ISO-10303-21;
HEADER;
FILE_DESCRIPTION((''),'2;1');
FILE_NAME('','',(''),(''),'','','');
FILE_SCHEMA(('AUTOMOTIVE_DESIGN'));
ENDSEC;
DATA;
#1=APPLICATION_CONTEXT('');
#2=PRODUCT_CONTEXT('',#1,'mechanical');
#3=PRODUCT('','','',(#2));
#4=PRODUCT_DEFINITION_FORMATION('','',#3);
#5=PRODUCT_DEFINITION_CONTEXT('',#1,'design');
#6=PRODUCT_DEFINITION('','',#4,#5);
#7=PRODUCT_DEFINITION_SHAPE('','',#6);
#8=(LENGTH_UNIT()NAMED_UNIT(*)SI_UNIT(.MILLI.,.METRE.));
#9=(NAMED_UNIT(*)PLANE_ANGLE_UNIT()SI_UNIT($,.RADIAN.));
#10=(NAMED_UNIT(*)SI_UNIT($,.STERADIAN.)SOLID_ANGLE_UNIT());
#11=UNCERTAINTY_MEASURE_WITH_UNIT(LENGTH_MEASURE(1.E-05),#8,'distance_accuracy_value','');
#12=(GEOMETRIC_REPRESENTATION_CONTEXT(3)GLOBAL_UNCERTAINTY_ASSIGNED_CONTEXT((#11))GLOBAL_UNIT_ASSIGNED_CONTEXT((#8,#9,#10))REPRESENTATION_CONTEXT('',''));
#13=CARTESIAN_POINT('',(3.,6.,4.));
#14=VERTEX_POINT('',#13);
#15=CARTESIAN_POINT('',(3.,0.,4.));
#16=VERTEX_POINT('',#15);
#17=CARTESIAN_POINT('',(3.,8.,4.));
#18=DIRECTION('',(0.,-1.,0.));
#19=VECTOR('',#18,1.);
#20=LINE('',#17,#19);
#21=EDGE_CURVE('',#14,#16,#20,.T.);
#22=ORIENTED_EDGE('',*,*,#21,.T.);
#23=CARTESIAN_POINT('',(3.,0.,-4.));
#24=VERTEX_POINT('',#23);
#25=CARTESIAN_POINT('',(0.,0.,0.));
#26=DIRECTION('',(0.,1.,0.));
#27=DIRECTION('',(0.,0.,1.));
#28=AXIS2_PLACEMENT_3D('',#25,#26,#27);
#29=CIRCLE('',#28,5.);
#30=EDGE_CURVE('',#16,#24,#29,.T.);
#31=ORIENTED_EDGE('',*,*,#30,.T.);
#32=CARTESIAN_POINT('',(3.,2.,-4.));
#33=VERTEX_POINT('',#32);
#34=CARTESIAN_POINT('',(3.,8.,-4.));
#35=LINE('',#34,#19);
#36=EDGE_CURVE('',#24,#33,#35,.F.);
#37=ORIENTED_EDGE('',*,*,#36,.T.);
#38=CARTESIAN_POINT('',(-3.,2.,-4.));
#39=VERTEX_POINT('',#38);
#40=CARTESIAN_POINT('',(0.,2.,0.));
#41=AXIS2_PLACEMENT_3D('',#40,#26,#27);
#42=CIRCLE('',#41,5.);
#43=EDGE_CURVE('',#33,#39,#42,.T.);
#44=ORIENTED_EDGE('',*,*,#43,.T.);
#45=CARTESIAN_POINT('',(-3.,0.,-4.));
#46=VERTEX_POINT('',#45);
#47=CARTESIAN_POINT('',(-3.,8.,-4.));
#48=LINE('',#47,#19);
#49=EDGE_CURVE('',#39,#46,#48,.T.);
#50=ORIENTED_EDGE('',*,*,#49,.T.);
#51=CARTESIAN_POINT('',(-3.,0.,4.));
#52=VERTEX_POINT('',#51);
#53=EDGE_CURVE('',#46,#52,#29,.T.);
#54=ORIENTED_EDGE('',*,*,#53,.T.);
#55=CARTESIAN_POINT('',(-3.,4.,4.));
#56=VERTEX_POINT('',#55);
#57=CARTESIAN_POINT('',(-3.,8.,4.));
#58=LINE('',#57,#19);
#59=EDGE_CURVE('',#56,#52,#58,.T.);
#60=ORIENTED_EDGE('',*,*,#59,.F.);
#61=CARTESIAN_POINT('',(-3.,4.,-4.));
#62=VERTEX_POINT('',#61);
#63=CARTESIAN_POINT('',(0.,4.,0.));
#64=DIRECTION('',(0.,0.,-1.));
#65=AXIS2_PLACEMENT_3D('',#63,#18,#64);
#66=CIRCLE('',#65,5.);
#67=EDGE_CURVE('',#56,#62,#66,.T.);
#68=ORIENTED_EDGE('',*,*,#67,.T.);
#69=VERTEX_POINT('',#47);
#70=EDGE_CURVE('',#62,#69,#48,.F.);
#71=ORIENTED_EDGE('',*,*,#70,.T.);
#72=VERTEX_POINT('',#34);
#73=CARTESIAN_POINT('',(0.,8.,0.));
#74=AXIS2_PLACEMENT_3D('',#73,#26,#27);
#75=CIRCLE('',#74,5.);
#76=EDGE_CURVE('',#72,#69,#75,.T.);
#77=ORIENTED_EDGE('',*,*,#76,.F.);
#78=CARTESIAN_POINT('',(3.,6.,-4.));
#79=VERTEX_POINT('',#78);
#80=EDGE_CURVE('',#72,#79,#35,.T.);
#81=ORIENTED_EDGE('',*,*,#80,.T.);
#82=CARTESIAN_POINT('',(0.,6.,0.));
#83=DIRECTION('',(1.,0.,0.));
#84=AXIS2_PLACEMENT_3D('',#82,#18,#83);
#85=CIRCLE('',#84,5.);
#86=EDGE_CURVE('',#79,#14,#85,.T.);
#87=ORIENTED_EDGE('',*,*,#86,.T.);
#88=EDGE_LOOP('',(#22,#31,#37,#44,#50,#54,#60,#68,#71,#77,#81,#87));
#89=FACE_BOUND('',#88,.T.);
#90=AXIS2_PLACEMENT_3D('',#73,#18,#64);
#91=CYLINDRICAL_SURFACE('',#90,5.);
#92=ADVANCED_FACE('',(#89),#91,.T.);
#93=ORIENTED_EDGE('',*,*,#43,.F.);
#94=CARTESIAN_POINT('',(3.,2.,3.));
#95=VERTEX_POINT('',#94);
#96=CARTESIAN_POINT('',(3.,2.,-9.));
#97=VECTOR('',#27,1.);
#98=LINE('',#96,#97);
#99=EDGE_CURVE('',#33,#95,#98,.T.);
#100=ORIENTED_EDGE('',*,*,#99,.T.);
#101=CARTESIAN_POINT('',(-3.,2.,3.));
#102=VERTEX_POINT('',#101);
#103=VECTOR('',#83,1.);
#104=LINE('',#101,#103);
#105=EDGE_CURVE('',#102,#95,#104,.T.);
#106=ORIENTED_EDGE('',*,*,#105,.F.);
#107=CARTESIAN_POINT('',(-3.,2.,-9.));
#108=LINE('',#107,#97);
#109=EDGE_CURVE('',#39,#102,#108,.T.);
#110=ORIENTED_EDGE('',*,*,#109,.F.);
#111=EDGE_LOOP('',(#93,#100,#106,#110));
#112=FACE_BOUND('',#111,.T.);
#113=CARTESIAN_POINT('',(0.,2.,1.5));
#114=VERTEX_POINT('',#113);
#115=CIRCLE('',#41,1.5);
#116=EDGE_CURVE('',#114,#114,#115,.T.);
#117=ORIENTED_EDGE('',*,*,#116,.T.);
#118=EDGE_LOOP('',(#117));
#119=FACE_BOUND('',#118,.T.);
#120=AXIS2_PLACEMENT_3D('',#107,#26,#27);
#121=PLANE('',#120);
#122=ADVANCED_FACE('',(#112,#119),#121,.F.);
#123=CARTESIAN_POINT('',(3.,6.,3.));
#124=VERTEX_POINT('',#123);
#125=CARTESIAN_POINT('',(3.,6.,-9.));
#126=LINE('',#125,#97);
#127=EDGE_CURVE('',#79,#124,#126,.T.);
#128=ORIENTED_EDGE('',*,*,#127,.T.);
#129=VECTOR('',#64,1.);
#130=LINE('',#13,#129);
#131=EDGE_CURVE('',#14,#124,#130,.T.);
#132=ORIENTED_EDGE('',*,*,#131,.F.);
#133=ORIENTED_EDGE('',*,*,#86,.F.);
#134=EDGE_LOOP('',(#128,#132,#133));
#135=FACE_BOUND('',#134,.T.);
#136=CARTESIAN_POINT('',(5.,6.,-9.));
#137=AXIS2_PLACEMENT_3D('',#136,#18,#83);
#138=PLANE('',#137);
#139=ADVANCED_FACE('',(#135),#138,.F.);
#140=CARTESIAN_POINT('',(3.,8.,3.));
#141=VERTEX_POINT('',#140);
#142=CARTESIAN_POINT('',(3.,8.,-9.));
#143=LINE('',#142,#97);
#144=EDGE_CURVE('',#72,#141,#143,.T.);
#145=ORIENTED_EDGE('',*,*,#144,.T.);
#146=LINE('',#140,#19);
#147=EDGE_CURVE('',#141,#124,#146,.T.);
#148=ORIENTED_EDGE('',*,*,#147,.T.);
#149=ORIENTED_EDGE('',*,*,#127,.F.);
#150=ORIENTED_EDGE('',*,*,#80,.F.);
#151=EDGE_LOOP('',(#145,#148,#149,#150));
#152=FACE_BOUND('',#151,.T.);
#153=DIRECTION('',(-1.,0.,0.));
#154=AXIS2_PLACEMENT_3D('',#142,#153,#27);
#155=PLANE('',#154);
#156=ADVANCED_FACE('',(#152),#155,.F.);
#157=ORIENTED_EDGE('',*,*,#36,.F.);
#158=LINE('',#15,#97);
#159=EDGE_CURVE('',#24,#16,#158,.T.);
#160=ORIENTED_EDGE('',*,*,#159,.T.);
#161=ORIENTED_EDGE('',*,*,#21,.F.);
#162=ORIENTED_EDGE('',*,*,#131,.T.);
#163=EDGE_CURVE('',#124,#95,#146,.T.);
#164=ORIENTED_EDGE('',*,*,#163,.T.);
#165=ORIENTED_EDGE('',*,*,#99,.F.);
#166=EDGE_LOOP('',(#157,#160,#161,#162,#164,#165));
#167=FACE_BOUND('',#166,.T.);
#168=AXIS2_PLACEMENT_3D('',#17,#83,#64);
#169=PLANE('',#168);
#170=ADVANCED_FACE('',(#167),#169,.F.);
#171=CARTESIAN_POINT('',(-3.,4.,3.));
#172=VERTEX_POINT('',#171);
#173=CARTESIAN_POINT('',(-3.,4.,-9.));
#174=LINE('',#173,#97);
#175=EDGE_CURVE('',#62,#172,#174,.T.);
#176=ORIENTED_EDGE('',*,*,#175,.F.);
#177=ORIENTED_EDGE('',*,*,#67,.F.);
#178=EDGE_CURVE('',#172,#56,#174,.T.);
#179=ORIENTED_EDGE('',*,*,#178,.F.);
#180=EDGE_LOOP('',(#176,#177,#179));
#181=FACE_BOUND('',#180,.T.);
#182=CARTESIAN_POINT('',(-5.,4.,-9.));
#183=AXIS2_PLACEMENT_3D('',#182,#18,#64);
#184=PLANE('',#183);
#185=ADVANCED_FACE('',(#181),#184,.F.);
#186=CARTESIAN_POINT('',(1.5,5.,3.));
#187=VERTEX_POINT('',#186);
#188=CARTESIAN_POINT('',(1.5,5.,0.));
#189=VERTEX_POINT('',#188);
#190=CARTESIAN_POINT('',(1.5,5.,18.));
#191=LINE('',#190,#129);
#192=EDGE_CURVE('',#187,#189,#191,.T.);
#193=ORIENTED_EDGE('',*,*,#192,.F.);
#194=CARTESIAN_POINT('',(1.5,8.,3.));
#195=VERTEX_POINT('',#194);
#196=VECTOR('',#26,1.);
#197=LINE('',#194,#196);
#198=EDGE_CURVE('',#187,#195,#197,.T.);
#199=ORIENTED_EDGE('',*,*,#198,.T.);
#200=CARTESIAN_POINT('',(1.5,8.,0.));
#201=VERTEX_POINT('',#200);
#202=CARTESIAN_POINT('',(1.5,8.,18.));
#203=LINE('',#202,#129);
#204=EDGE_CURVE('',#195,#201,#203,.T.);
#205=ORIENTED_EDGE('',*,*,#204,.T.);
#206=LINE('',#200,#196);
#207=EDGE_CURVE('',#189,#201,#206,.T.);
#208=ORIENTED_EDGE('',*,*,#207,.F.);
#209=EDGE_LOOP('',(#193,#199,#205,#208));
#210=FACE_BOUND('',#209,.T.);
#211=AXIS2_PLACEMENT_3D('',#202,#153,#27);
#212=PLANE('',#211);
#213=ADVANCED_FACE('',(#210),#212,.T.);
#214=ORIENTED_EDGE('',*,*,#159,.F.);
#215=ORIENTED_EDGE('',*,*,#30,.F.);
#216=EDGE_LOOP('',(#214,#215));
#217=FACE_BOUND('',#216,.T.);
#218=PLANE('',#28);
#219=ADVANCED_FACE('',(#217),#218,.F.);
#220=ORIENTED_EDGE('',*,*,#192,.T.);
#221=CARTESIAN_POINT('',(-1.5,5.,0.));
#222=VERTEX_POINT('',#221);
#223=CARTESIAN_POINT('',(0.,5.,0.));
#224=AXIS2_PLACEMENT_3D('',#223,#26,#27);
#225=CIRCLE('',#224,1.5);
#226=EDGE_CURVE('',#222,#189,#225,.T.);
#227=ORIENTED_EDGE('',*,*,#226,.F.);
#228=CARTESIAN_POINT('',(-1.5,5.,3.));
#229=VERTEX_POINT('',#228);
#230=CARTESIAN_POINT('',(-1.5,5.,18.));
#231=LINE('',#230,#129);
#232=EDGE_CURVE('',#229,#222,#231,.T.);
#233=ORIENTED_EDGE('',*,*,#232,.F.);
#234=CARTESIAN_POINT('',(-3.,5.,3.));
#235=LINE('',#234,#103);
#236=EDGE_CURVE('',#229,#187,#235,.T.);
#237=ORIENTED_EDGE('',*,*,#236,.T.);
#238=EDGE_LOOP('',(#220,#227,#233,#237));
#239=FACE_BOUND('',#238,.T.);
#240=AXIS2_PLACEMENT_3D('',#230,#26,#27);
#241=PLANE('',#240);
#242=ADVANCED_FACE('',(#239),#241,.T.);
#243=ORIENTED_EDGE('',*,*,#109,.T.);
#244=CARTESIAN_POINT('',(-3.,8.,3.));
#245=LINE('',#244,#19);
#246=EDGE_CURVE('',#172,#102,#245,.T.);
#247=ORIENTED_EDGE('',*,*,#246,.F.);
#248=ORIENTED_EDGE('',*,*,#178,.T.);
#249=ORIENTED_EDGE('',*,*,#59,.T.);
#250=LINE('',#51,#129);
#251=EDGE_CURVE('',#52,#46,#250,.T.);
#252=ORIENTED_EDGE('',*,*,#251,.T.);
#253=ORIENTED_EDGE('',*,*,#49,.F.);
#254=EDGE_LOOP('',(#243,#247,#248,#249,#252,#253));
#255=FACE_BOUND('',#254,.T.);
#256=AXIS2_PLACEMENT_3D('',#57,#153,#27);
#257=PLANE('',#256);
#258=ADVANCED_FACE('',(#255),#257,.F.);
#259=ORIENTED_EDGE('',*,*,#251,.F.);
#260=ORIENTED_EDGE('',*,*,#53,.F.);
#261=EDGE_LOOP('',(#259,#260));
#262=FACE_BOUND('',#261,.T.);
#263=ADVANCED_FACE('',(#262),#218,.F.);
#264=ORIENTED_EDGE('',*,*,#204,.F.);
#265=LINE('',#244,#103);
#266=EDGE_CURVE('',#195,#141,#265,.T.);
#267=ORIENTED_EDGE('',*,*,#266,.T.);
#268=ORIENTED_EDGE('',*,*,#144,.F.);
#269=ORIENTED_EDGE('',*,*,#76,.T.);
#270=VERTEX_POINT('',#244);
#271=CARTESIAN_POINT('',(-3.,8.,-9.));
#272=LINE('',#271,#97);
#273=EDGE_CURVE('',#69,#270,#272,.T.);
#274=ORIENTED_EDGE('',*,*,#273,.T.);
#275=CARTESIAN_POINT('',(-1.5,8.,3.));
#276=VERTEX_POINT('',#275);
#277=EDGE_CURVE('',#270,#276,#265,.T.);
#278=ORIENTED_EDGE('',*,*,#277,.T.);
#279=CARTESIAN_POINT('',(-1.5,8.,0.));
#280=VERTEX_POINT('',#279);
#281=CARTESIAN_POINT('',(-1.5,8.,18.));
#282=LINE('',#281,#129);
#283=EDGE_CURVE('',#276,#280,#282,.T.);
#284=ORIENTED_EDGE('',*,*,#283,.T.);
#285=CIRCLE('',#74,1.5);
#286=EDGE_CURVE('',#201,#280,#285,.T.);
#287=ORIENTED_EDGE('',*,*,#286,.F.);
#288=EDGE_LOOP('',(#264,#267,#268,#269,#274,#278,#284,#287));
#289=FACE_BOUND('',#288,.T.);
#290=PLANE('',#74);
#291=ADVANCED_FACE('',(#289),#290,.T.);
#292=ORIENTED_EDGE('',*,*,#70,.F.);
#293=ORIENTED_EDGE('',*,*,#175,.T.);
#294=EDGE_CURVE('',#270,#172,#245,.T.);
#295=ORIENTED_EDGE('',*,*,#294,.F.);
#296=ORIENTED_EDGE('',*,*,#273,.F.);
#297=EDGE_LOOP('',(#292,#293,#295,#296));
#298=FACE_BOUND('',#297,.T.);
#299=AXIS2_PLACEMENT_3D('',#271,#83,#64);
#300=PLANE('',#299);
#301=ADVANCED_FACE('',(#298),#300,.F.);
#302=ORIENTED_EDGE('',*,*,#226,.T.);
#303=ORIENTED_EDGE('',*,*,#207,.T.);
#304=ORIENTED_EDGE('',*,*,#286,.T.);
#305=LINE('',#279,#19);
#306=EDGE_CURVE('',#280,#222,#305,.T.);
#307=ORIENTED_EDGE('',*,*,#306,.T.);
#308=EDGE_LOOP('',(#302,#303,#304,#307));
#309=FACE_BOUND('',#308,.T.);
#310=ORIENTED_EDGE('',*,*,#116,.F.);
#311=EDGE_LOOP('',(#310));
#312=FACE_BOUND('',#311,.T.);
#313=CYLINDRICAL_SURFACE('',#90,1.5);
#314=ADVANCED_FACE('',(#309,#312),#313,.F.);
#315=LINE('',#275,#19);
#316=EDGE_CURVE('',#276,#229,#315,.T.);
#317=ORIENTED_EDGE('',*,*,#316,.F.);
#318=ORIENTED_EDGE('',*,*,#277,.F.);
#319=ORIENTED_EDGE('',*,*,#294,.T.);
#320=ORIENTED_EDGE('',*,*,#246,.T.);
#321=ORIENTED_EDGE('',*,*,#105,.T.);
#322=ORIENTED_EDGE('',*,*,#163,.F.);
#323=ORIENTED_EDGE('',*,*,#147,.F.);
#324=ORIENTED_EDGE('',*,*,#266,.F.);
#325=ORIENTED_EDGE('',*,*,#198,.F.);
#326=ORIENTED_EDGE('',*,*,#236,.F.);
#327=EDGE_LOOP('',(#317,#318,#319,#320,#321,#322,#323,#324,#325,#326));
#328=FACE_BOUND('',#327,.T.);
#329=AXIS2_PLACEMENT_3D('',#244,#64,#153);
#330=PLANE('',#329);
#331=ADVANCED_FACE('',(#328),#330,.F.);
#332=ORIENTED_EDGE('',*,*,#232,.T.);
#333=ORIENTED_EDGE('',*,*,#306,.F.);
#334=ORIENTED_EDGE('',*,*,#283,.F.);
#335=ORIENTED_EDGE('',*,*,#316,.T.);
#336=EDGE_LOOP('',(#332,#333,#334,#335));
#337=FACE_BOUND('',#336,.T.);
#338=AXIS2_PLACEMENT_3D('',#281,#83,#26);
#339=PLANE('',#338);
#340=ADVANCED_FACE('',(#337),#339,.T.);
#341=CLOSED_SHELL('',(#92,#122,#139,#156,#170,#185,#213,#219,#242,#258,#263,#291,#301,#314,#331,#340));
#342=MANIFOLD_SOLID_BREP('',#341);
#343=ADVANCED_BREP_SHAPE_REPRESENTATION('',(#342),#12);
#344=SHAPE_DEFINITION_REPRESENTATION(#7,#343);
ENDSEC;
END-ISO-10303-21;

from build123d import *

# Parameters (mm, degrees)
SKETCH1_R           = 1.5
BOSS_EXTRUDE1_DEPTH = 8
SKETCH2_W           = 2
SKETCH2_H           = 2
SKETCH2_H_2         = 4
SKETCH2_W_2         = 6
CUT_EXTRUDE1_DEPTH  = 9
SKETCH3_W           = 3
SKETCH3_H           = 3
CUT_EXTRUDE2_DEPTH  = 18


with BuildPart() as part:
    # Sketch1 → Boss-Extrude1 (new body)
    with BuildSketch(Plane(origin=(0, 0, 0), x_dir=(1, 0, 0), z_dir=(0, 1, 0))):
        with BuildLine():
            Line((-3, -4), (-3, -3))
            Line((-3, -3), (3, -3))
            Line((3, -3), (3, -4))
            ThreePointArc((3, -4), (0, 5), (-3, -4))
        make_face()
        Circle(SKETCH1_R, mode=Mode.SUBTRACT)
    extrude(amount=BOSS_EXTRUDE1_DEPTH)

    # Sketch2 → Cut-Extrude1 (cut, symmetric)
    with BuildSketch(Plane.XY):
        with Locations((4, 7)):
            Rectangle(SKETCH2_W, SKETCH2_H)
        with Locations((-4, 6)):
            Rectangle(SKETCH2_W, SKETCH2_H_2)
        with Locations((0, 1)):
            Rectangle(SKETCH2_W_2, SKETCH2_H)
    extrude(amount=CUT_EXTRUDE1_DEPTH, both=True, mode=Mode.SUBTRACT)

    # Sketch3 → Cut-Extrude2 (cut)
    with BuildSketch(Plane.XY):
        with Locations((0, 6.5)):
            Rectangle(SKETCH3_W, SKETCH3_H)
    extrude(amount=CUT_EXTRUDE2_DEPTH, mode=Mode.SUBTRACT)


solid = part.part
